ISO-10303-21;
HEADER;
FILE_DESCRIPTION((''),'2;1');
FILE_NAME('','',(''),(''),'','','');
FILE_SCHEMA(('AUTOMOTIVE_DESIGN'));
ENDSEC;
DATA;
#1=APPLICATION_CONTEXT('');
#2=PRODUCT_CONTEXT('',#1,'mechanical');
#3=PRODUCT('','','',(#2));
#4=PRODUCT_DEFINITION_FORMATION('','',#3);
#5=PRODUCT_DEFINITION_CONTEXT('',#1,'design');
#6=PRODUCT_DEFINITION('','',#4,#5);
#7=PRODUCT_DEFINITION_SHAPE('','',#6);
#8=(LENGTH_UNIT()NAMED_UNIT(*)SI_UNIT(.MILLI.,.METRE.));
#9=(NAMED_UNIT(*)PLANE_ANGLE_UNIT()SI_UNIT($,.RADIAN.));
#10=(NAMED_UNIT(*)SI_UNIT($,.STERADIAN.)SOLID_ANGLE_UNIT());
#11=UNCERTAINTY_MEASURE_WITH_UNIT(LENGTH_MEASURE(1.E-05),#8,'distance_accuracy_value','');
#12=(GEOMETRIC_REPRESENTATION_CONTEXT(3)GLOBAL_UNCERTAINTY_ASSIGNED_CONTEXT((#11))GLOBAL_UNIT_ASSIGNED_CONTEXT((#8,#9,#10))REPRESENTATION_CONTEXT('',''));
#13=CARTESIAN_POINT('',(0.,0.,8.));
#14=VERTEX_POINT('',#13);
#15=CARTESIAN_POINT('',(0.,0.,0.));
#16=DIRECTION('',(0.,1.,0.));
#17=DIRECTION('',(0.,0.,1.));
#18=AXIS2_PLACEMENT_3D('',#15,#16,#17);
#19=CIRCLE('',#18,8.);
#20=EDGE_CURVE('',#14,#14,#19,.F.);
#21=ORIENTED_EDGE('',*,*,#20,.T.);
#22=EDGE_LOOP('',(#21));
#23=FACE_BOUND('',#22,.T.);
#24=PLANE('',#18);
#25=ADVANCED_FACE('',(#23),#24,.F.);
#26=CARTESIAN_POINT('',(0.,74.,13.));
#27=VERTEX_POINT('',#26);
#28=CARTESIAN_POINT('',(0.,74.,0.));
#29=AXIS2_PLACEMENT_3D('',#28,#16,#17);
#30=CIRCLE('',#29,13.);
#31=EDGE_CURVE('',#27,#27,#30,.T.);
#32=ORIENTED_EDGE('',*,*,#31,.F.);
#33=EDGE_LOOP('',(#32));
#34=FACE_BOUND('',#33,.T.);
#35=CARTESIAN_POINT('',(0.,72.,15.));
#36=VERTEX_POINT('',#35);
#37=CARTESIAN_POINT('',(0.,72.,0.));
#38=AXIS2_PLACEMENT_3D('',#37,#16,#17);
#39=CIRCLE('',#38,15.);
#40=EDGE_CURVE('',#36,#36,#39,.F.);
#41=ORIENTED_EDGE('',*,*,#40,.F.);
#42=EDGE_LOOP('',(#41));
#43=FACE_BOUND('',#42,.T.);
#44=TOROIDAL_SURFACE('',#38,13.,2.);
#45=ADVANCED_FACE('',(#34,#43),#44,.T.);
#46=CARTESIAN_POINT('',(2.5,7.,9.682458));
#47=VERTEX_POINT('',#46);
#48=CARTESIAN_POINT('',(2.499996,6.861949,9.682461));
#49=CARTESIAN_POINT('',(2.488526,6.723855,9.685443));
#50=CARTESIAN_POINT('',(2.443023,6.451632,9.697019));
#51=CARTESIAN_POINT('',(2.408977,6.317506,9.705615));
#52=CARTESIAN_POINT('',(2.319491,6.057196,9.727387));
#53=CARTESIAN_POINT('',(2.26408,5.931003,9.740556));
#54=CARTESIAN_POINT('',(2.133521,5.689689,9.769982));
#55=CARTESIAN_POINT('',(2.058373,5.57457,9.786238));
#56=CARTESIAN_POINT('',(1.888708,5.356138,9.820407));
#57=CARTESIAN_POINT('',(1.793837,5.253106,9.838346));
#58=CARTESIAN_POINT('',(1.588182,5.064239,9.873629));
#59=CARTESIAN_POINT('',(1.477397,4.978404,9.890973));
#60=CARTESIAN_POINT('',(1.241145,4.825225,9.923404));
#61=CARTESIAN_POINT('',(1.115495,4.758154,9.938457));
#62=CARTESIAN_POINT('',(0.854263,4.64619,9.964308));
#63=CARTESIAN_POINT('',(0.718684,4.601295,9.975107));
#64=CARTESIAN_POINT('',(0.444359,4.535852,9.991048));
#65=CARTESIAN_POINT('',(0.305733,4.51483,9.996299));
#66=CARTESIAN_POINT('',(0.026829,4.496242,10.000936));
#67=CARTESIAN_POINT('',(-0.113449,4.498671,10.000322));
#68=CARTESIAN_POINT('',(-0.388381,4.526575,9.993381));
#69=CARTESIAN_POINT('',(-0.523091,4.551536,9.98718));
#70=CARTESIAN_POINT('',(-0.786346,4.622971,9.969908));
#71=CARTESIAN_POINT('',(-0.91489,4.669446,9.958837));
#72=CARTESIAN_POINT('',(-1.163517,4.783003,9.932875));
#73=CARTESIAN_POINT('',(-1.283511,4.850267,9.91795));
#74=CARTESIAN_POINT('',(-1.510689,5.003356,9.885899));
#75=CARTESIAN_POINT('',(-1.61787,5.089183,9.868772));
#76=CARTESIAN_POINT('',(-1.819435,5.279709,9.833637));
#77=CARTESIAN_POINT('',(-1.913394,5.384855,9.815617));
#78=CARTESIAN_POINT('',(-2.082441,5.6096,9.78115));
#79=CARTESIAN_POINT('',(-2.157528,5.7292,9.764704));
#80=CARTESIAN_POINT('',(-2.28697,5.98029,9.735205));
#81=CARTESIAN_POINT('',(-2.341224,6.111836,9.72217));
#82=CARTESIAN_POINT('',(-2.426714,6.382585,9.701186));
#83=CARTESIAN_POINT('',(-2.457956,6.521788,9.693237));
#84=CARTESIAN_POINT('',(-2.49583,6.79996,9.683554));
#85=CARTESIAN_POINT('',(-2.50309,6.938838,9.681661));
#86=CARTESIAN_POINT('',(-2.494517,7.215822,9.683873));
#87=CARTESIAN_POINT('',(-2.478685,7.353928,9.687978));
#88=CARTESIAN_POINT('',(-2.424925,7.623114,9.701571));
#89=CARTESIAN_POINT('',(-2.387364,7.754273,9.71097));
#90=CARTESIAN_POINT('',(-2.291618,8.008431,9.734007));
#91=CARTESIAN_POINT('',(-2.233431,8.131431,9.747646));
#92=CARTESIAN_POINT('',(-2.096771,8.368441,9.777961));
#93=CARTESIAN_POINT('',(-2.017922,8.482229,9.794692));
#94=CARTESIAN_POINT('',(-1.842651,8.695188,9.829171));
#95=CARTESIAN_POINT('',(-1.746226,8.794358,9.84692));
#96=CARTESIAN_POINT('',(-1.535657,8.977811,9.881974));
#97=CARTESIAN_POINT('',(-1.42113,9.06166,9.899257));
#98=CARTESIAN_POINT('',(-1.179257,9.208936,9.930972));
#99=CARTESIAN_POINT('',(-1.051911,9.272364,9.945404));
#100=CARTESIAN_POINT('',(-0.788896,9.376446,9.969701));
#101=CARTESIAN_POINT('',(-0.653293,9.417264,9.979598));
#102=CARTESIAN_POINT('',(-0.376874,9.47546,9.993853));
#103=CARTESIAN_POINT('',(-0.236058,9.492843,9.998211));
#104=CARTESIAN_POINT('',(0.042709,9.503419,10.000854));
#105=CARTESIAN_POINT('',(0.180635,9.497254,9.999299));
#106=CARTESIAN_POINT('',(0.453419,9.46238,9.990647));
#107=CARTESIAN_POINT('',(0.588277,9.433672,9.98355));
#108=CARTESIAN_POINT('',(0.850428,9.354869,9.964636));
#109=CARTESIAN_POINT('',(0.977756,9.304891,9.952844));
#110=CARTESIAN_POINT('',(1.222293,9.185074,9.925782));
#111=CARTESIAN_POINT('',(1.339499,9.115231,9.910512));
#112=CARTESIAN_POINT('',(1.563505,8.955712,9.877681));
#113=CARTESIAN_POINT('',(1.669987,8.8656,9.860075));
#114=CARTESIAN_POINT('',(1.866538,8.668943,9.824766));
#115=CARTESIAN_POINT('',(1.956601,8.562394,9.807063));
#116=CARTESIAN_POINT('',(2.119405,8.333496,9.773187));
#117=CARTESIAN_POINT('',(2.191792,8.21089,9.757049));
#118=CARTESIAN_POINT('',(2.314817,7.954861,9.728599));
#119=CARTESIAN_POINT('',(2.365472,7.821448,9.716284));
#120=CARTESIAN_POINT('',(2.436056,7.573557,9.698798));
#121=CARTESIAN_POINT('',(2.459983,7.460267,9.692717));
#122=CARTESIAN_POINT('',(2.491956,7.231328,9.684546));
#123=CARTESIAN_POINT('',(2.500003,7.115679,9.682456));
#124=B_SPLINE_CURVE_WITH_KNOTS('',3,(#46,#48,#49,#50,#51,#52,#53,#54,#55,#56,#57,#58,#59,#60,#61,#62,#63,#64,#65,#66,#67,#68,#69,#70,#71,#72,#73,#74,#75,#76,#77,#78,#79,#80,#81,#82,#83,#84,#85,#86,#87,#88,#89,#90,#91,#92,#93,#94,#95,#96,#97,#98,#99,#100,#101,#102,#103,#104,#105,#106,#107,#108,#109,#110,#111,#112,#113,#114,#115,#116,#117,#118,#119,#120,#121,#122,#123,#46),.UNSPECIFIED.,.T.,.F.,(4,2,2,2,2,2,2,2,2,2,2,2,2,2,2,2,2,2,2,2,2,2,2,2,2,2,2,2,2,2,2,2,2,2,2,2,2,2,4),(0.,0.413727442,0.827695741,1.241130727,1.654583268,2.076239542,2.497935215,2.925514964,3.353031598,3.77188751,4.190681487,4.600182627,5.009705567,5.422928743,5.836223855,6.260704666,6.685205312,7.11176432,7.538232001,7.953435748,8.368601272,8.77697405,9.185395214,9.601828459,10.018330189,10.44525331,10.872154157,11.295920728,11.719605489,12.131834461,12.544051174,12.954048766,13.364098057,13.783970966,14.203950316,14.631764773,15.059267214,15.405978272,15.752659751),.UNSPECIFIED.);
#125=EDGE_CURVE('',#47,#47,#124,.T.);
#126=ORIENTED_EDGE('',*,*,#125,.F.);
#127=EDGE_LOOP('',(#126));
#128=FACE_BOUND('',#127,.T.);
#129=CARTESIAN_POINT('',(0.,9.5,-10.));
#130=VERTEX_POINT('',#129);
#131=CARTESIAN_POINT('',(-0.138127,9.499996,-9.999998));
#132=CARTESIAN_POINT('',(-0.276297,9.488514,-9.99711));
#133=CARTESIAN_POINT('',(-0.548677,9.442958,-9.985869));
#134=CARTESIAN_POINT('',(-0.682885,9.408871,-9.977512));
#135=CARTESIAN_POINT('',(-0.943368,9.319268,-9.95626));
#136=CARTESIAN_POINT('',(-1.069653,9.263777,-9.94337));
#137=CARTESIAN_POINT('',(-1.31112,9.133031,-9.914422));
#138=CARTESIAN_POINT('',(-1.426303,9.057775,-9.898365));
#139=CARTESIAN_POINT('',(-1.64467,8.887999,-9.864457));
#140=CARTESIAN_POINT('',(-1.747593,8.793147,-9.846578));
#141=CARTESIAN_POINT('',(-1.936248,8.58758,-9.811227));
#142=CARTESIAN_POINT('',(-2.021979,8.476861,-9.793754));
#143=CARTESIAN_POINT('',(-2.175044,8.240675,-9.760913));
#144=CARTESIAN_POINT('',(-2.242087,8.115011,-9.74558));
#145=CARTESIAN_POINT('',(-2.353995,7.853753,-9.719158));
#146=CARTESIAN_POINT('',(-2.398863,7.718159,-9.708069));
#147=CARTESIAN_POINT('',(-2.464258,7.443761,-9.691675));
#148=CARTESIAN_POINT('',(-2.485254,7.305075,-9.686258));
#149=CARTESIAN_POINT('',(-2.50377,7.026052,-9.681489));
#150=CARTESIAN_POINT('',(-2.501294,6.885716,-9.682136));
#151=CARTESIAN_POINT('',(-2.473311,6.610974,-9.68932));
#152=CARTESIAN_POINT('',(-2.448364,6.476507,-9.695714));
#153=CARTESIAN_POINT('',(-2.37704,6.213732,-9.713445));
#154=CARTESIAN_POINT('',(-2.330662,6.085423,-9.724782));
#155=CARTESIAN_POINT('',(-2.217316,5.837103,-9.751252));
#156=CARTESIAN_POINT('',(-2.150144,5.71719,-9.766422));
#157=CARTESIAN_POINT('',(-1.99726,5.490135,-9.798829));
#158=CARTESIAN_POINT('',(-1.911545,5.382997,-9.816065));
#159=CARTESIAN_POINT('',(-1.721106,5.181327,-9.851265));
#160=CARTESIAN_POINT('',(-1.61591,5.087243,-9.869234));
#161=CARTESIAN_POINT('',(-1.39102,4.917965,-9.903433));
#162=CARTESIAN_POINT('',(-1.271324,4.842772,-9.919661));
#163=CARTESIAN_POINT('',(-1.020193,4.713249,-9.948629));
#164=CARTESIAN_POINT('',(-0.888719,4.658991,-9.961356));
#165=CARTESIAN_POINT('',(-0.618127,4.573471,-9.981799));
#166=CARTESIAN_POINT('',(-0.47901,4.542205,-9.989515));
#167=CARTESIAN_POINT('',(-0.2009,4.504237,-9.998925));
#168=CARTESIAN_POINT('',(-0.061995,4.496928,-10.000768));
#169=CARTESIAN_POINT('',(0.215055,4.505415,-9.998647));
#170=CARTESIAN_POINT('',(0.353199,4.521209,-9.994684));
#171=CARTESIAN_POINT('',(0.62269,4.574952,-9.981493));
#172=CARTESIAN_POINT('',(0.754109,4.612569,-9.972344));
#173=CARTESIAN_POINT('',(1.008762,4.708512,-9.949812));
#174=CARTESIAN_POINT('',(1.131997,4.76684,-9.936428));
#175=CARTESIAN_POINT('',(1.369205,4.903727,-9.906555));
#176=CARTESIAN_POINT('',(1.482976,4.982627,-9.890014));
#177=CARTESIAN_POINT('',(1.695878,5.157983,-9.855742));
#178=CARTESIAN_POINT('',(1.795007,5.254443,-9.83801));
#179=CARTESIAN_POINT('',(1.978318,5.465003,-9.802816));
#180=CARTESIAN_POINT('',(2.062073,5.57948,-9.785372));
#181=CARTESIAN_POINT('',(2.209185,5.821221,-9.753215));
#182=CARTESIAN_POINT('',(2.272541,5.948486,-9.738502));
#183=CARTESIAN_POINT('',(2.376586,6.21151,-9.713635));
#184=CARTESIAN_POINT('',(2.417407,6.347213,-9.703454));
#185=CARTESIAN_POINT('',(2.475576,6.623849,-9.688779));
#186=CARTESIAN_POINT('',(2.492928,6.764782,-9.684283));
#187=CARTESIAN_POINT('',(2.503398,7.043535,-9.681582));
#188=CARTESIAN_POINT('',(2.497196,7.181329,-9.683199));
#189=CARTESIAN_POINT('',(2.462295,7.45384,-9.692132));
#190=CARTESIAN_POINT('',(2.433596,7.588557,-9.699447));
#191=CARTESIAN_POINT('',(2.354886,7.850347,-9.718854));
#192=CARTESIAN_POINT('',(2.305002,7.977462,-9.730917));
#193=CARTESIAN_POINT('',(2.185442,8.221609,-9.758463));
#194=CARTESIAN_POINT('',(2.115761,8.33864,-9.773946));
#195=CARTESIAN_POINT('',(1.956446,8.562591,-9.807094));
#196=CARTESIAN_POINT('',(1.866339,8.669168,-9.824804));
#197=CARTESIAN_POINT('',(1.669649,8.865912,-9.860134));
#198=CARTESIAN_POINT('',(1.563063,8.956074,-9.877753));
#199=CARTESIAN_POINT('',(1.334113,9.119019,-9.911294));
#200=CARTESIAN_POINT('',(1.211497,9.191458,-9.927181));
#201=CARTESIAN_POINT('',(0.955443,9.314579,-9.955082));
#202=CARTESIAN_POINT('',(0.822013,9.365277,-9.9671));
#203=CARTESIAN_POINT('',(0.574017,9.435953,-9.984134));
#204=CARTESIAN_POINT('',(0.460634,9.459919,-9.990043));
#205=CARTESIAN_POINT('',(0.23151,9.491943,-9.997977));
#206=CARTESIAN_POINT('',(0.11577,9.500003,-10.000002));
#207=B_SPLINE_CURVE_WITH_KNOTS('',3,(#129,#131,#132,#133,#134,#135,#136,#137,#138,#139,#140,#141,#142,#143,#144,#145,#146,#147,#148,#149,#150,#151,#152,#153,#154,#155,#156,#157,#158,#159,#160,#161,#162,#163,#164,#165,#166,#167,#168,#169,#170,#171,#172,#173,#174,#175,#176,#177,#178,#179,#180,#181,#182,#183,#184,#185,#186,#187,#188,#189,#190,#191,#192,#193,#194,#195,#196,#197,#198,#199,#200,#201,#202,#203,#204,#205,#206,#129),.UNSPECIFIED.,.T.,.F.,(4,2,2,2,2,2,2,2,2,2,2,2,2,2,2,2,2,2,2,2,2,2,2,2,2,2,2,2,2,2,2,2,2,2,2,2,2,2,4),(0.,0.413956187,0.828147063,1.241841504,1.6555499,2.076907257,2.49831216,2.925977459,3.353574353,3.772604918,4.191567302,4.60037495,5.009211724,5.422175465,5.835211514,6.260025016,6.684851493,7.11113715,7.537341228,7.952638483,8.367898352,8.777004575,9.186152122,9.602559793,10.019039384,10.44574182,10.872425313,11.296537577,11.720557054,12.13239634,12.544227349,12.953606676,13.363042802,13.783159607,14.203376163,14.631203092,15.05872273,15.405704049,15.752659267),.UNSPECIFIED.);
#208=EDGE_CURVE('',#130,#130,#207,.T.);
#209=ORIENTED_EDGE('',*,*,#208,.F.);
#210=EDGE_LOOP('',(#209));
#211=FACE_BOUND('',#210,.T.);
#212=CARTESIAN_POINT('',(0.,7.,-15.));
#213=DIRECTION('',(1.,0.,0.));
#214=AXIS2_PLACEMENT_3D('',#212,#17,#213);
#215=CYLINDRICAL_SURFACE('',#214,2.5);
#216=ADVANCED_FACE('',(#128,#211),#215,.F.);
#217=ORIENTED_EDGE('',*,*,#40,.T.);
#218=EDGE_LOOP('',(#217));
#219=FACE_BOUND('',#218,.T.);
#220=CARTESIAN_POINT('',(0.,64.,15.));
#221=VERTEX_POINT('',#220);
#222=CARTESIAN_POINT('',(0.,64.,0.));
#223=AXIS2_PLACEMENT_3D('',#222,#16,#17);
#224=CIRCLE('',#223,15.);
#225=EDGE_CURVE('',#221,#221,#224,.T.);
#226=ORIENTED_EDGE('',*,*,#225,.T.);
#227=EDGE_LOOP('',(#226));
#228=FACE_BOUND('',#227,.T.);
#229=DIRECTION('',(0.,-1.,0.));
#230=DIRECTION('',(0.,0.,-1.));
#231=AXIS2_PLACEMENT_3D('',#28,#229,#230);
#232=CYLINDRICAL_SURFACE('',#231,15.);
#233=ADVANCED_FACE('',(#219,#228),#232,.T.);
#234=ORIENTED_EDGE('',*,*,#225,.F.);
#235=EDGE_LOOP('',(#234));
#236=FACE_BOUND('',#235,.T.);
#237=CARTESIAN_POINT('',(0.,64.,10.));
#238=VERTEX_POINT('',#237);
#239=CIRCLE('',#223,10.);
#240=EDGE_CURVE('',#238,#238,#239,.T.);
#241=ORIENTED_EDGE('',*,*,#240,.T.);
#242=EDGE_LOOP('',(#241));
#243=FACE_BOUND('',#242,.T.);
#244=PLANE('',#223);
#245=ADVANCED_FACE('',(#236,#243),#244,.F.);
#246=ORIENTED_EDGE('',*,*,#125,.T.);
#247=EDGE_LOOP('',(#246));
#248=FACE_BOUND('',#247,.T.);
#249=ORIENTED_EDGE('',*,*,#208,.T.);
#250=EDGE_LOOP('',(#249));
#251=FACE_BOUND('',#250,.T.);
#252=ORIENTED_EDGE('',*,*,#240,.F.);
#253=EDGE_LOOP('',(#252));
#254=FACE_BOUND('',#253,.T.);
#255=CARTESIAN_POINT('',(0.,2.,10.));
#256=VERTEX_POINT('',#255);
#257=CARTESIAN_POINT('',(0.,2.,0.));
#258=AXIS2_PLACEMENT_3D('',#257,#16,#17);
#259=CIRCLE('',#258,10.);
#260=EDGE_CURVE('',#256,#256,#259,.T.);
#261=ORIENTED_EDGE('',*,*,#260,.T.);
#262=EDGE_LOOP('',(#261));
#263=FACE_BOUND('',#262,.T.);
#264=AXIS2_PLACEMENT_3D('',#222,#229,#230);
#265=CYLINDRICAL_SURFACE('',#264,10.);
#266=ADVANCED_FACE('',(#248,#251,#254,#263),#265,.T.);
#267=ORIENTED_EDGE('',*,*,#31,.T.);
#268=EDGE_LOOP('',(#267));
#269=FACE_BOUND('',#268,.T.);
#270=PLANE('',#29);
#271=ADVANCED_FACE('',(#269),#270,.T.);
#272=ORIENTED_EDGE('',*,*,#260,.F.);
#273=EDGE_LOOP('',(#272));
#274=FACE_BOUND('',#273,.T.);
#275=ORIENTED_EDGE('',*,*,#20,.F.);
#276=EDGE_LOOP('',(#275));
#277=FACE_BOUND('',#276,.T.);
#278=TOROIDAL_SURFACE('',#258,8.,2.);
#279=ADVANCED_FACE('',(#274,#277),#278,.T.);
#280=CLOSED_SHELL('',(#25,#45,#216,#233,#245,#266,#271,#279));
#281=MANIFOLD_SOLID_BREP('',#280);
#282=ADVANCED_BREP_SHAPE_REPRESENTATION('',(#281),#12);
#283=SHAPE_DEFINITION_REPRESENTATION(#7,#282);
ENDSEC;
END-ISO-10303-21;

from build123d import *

# Parameters (mm, degrees)
SKETCH1_R               = 10
BOSS_EXTRUDE1_DEPTH     = 64
SKETCH2_R               = 15
BOSS_EXTRUDE2_DEPTH     = 10
CUT_EXTRUDE1_DEPTH      = 77.980517016
CUT_EXTRUDE1_DEPTH_BACK = 77.980517016
SKETCH3_R               = 2.5
FILLET1_R               = 2


with BuildPart() as part:
    # Sketch1 → Boss-Extrude1 (new body)
    with BuildSketch(Plane(origin=(0, 0, 0), x_dir=(1, 0, 0), z_dir=(0, 1, 0))):
        with Locations(Location((0, 0, 0), (0, 0, 270))):
            Circle(SKETCH1_R)
    extrude(amount=BOSS_EXTRUDE1_DEPTH)

    # Sketch2 → Boss-Extrude2 (add)
    with BuildSketch(Plane(origin=(0, 64, 0), x_dir=(1, 0, 0), z_dir=(0, 1, 0))):
        with Locations(Location((0, 0, 0), (0, 0, 270))):
            Circle(SKETCH2_R)
    extrude(amount=BOSS_EXTRUDE2_DEPTH)

    # Sketch3 → Cut-Extrude1 (cut, two sides: drawn at the far end of the back side and taken through both)
    with BuildSketch(Plane.XY.offset(-CUT_EXTRUDE1_DEPTH_BACK)):
        with Locations(Location((0, 7, 0), (0, 0, 90.000000004))):
            Circle(SKETCH3_R)
    extrude(amount=CUT_EXTRUDE1_DEPTH + CUT_EXTRUDE1_DEPTH_BACK, mode=Mode.SUBTRACT)

    # Fillet1
    fillet1_edges = [part.edges().sort_by_distance(p)[0] for p in [
        (0, 0, -10),
        (0, 74, -15),
    ]]
    fillet(fillet1_edges, radius=FILLET1_R)


solid = part.part
